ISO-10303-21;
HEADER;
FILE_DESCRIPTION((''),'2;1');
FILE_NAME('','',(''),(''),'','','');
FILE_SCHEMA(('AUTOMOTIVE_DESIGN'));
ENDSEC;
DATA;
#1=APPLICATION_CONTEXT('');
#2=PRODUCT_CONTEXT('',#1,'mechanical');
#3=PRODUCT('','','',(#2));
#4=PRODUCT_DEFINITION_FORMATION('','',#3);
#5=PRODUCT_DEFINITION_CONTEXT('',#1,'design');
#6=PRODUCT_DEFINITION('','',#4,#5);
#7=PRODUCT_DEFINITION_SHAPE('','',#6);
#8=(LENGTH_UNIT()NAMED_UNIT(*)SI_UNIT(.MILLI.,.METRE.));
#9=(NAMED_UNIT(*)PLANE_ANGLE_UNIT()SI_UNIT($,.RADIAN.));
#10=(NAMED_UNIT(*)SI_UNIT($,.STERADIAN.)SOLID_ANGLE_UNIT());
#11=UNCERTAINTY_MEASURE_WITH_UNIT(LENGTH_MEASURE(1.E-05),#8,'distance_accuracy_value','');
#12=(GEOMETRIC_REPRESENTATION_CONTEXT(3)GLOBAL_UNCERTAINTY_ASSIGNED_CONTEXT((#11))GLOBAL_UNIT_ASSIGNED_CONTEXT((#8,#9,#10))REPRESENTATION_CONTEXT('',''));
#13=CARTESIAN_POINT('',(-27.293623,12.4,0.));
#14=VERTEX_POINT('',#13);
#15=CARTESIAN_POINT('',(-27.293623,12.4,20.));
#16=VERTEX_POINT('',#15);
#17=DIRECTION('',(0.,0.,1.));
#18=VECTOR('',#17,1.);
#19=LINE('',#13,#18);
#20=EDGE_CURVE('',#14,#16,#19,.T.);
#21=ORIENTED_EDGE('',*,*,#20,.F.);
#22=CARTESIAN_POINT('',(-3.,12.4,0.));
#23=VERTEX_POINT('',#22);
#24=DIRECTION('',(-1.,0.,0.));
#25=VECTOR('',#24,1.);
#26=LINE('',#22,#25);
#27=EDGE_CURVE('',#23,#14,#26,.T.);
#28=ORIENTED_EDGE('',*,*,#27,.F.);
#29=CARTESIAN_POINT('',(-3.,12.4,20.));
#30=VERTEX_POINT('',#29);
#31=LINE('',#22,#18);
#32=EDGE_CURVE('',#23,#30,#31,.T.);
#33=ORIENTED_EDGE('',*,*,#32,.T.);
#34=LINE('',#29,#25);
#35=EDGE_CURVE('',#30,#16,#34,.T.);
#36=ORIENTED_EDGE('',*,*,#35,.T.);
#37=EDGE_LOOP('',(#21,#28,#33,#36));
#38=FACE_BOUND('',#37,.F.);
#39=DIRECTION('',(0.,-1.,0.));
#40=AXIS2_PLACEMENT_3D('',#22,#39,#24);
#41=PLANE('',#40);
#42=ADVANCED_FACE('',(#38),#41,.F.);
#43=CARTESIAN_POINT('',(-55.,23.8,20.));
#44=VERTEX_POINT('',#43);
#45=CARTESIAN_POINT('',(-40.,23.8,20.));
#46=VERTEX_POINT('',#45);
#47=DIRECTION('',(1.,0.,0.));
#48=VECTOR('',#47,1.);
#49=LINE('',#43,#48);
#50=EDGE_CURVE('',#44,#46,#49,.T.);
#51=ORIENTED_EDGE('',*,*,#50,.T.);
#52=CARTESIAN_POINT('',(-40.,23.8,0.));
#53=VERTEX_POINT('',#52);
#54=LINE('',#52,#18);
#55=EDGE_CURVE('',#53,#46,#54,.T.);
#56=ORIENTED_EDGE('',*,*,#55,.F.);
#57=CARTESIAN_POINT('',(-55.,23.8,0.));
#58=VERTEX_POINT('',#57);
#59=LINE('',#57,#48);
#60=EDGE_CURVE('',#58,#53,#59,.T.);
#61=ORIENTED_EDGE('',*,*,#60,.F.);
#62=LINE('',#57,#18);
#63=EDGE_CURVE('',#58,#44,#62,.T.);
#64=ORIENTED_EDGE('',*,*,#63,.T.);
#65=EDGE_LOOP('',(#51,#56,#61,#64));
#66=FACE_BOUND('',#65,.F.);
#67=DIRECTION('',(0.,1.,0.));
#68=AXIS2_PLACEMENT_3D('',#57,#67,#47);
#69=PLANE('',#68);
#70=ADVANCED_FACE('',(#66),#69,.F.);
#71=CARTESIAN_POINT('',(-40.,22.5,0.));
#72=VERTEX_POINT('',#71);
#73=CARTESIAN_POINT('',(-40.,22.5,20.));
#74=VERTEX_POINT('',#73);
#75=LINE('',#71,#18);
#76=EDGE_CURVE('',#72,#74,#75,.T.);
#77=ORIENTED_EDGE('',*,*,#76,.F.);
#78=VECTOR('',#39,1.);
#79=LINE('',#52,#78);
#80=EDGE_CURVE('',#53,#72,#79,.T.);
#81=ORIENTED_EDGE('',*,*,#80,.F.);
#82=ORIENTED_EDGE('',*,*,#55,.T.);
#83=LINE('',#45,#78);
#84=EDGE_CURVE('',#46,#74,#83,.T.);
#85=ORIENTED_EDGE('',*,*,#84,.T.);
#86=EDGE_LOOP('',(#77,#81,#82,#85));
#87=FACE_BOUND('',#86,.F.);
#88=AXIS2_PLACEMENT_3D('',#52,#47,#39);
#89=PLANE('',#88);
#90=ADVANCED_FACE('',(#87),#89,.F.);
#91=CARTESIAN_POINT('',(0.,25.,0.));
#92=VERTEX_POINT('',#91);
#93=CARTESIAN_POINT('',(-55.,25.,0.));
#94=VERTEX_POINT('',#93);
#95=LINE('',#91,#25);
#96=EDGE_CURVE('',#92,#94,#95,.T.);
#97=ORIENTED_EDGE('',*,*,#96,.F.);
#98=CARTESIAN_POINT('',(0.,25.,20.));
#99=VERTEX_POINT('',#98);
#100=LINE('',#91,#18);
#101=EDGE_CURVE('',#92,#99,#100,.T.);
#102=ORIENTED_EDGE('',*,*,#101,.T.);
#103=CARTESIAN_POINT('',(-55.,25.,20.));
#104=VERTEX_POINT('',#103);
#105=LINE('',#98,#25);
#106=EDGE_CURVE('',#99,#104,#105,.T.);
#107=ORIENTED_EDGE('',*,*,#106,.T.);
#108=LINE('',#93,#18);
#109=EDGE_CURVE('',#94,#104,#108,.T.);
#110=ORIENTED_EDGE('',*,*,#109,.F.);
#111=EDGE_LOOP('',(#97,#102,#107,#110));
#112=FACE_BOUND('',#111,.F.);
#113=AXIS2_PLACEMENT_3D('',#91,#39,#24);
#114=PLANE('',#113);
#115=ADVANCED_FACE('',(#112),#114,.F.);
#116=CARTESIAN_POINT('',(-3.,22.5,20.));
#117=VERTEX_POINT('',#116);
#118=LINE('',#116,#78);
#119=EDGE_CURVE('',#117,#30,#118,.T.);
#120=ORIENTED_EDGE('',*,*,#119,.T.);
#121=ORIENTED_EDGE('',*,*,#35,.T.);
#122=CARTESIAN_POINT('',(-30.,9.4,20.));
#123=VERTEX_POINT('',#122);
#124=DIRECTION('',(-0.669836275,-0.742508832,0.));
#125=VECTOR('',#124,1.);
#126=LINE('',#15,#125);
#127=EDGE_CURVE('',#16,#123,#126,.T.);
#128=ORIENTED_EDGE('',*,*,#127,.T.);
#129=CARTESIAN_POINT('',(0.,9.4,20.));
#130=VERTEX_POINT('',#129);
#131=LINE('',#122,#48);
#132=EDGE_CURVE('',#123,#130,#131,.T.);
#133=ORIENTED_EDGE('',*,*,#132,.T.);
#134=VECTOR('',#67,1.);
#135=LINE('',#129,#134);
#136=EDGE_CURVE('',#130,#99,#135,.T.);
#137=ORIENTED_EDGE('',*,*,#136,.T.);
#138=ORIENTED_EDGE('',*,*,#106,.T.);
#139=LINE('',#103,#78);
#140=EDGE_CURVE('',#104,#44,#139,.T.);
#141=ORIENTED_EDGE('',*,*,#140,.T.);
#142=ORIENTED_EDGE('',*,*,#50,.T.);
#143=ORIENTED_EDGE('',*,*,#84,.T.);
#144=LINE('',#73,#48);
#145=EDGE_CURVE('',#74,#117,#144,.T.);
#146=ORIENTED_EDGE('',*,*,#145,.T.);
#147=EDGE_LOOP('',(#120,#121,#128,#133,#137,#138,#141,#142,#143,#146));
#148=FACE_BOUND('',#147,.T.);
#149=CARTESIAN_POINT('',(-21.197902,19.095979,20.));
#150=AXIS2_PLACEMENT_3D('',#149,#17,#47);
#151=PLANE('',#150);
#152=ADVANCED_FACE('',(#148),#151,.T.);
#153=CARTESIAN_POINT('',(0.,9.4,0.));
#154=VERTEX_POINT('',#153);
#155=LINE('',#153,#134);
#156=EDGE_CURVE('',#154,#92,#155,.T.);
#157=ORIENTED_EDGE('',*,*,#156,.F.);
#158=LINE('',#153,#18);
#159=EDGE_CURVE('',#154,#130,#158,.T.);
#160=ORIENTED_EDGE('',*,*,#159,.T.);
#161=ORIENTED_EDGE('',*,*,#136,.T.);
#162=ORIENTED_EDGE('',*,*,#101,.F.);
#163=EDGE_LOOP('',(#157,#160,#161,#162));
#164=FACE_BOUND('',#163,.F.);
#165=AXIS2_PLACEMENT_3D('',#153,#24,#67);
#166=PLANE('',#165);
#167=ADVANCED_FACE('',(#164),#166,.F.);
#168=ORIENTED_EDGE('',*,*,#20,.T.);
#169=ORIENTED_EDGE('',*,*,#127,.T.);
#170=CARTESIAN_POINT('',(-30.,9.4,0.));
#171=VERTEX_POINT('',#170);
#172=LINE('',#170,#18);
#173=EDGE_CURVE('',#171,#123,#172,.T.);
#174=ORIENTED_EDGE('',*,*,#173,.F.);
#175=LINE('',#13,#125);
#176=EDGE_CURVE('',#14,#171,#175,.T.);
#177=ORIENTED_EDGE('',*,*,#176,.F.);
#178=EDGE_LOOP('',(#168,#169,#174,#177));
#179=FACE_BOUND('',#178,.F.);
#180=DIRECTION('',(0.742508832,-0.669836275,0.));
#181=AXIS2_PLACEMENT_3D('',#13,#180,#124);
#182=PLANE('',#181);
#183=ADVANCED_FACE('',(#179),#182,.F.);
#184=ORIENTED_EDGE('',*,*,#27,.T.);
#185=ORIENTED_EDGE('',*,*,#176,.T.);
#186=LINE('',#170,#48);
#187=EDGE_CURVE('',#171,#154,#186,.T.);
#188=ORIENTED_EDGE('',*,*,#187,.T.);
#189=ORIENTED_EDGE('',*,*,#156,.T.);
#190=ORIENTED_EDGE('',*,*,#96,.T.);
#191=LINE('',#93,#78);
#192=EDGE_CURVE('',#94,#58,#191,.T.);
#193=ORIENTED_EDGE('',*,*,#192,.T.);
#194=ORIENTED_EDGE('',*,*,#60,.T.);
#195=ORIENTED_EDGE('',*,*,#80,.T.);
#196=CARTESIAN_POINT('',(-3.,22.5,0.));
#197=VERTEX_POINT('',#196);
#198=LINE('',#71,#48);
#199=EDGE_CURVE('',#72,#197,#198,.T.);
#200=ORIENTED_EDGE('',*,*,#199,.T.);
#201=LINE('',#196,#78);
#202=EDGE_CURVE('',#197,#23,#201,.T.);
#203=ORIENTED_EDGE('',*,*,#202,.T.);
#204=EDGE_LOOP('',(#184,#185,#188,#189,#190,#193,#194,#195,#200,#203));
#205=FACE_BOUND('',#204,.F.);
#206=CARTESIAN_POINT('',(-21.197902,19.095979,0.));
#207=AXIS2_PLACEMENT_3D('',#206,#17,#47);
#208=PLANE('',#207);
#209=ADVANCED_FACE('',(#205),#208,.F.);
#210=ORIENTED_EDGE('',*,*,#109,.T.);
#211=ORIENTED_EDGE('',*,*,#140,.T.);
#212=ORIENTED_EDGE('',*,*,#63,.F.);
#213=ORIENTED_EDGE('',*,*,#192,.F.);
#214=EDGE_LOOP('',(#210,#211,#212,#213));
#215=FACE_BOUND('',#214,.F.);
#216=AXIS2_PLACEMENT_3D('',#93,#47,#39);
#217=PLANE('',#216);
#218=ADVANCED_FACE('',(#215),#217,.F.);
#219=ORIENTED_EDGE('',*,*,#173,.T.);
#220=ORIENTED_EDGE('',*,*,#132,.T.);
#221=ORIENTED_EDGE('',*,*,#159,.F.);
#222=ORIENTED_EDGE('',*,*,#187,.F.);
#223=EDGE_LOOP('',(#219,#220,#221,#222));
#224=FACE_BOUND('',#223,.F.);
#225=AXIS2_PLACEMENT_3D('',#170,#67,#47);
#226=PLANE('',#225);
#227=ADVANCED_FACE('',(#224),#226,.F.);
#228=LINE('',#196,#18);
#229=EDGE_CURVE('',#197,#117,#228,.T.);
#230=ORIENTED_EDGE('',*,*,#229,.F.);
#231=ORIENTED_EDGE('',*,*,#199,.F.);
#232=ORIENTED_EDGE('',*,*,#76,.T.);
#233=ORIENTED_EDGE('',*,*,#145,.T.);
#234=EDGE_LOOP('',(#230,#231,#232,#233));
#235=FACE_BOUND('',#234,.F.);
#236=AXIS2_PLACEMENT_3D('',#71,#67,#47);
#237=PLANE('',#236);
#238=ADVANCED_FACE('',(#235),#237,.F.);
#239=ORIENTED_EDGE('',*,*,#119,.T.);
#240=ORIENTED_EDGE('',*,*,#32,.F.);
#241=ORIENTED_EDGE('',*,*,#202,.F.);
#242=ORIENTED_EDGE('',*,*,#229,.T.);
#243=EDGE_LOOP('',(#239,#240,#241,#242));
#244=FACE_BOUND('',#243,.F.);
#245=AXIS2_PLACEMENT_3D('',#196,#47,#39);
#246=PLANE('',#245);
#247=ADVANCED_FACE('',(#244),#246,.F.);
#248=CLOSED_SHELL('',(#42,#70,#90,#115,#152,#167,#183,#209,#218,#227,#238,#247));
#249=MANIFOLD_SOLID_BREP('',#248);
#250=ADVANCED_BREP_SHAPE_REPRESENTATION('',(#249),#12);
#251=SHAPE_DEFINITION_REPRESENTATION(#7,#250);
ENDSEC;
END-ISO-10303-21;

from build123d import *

# Parameters (mm, degrees)
PAD_DEPTH = 20


with BuildPart() as part:
    # Sketch → Pad (new body)
    with BuildSketch(Plane.XY):
        Polygon((-40, 22.5), (-3, 22.5), (-3, 12.4), (-27.293623, 12.4), (-30, 9.4), (0, 9.4), (0, 25), (-55, 25), (-55, 23.8), (-40, 23.8), align=None)
    extrude(amount=PAD_DEPTH)


solid = part.part
